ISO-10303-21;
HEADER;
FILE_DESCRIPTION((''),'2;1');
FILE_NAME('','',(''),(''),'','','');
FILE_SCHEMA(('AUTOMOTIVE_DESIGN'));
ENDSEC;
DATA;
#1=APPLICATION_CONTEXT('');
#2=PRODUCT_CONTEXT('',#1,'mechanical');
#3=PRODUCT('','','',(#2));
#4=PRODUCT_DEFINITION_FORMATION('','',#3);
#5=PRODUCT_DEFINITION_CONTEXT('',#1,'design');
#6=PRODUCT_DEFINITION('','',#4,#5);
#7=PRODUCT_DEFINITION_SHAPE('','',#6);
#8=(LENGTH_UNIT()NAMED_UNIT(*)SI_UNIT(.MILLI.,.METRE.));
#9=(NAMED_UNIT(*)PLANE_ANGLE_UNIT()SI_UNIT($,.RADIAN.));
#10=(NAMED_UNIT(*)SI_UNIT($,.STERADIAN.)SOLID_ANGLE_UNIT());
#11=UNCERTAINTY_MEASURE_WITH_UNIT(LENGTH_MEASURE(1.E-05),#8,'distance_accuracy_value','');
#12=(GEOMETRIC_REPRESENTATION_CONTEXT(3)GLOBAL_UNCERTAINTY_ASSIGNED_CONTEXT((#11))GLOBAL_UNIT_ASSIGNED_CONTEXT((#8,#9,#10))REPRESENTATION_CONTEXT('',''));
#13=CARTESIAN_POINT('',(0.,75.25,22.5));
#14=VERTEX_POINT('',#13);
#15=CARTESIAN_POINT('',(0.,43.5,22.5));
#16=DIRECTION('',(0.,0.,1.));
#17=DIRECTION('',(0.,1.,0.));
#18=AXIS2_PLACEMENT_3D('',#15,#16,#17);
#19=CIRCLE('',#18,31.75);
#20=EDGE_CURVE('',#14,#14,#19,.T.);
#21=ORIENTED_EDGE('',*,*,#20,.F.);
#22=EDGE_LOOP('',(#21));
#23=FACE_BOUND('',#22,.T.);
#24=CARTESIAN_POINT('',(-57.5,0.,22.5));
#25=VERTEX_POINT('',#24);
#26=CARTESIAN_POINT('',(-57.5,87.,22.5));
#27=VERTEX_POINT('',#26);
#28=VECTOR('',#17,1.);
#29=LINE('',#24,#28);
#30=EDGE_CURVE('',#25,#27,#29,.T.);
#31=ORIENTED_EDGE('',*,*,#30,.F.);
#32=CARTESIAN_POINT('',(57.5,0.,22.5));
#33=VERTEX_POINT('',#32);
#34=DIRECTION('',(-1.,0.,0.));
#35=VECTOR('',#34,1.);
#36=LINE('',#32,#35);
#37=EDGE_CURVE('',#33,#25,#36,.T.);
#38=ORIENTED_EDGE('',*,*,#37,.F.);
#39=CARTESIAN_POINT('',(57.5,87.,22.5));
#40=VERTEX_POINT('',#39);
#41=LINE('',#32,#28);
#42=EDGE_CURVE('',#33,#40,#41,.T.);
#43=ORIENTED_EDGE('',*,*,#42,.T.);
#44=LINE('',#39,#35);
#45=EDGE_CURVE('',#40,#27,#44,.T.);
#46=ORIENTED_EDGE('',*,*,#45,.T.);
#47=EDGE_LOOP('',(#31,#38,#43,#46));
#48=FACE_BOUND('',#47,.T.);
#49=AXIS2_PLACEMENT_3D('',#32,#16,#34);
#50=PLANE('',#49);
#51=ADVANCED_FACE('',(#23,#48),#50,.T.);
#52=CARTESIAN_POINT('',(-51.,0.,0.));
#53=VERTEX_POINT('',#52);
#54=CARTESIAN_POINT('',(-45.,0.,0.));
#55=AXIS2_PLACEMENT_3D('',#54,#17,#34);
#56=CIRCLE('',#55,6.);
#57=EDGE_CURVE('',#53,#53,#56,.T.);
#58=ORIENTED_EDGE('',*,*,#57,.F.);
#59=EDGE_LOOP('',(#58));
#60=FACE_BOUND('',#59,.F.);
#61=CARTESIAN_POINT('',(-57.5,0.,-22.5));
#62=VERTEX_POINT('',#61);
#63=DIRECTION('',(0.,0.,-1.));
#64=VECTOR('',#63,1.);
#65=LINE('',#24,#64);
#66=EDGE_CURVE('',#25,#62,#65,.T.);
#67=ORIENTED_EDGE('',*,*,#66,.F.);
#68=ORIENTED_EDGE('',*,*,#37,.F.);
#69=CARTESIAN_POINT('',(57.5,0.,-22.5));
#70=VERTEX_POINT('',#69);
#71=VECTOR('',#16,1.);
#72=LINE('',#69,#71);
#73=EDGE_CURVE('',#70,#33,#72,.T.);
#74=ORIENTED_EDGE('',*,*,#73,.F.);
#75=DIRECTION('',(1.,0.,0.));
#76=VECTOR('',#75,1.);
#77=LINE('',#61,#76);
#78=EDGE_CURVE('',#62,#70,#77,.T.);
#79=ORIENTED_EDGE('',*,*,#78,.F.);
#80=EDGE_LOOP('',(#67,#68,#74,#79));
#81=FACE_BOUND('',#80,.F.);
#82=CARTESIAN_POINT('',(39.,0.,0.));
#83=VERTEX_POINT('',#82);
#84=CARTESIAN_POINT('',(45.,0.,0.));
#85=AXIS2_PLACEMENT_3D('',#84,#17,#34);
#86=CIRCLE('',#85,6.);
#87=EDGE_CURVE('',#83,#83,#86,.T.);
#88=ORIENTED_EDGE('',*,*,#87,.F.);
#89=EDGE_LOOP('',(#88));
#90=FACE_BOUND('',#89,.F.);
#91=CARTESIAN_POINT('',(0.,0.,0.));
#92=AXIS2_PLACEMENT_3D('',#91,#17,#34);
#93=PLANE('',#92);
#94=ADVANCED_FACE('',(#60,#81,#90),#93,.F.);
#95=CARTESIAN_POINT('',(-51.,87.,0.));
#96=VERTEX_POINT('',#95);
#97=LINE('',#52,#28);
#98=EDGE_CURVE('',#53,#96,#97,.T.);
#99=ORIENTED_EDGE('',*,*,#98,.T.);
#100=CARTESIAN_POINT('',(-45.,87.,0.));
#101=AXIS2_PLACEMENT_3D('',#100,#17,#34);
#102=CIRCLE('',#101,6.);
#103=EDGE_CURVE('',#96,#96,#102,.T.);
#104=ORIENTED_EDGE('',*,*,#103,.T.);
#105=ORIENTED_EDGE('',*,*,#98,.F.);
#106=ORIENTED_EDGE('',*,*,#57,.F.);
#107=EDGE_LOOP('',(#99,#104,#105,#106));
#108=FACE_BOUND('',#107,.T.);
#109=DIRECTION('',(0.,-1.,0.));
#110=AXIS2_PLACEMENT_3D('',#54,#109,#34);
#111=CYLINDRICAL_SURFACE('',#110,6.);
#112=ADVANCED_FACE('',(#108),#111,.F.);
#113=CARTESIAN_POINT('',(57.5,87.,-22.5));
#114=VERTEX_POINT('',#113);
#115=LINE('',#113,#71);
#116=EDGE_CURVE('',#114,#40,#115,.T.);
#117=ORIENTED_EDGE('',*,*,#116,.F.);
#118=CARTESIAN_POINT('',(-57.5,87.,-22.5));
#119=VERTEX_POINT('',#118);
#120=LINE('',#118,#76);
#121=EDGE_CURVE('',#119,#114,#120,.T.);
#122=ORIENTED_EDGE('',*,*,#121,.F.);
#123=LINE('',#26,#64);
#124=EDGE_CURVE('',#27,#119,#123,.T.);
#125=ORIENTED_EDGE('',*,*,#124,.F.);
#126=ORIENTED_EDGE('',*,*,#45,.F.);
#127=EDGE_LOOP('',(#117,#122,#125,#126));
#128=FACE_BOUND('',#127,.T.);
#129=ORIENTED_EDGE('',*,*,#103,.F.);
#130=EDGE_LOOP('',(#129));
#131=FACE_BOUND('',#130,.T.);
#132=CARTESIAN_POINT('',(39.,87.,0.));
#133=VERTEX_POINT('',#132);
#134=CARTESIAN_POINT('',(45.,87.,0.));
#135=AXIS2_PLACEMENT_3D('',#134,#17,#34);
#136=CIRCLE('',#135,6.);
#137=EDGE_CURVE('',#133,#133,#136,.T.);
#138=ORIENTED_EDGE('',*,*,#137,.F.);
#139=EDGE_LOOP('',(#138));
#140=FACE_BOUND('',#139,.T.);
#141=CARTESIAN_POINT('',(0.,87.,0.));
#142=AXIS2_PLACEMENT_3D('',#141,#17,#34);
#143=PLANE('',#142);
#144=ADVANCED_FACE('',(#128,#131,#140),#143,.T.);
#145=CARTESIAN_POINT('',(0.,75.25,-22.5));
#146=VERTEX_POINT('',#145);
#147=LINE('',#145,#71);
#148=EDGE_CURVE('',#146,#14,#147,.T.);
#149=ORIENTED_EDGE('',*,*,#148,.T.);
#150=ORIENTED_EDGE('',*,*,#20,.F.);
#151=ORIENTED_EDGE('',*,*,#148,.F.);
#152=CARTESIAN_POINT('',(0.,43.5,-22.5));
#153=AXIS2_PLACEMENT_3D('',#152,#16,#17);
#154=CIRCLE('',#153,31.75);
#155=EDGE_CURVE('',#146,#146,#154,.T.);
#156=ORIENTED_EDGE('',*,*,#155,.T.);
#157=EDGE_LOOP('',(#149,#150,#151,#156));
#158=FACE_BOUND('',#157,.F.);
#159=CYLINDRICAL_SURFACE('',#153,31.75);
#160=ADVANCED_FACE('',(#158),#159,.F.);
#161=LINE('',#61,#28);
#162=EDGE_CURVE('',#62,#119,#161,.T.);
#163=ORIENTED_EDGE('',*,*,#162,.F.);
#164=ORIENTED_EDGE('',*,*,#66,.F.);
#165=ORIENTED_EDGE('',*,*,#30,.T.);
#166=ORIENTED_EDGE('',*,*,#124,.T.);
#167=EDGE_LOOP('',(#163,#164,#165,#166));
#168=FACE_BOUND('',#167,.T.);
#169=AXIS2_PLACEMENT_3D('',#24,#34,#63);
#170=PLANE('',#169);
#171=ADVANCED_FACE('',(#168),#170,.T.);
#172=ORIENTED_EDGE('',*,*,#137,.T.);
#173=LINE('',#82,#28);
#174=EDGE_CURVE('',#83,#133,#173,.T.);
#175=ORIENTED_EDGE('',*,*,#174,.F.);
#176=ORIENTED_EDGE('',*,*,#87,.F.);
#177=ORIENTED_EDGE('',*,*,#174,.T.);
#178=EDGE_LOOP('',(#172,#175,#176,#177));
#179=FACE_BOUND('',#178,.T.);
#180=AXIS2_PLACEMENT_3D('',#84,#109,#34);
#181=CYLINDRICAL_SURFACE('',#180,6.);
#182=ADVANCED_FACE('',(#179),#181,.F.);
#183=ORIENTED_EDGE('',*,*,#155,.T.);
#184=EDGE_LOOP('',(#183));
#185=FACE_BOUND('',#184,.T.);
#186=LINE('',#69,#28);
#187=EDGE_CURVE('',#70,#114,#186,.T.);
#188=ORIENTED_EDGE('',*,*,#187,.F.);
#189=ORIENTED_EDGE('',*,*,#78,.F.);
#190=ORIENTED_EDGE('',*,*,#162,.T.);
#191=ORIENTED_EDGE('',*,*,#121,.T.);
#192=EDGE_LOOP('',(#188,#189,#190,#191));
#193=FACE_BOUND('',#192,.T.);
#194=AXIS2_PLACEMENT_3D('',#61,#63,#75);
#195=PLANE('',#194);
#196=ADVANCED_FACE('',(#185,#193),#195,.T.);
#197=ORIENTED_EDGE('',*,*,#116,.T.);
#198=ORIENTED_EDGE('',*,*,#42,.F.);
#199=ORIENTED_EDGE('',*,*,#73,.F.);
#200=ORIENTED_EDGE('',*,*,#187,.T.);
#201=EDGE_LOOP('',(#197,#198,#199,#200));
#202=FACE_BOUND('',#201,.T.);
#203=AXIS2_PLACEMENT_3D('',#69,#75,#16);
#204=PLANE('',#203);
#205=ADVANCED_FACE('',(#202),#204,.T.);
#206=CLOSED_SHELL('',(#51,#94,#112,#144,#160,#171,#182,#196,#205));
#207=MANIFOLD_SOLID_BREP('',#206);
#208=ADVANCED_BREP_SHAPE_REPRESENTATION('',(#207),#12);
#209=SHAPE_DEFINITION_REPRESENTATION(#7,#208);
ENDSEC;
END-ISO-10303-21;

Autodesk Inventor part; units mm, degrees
ref_plane "YZ Plane" through (0, 0, 0) normal (1, 0, 0) x (0, 1, 0)
ref_plane "XZ Plane" through (0, 0, 0) normal (0, 1, 0) x (-1, 0, 0)
ref_plane "XY Plane" through (0, 0, 0) normal (0, 0, 1) x (1, 0, 0)
sketch "Sketch20" plane through (0, 0, 0) normal (0, 1, 0) x (-1, 0, 0)
  line L0 (57.5, -22.5) -> (-57.5, -22.5)
  line L1 (-57.5, -22.5) -> (-57.5, 22.5)
  line L2 (-57.5, 22.5) -> (57.5, 22.5)
  line L3 (57.5, 22.5) -> (57.5, -22.5)
  circle A0 centre (45, 0) radius 6
  circle A1 centre (-45, 0) radius 6
  point P0 (0, 0)
  dimension "d92" = 115
  dimension "d93" = 45
  dimension "d94" = 57.5
  dimension "d95" = 22.5
  dimension "d97" = 45
  dimension "d98" = 90
  dimension "d99" = 12
  dimension "d100" = 12
extrude "Extrusion17" add sketch "Sketch20" along normal blind 87
sketch "Sketch21" plane through (57.5, 0, -22.5) normal (0, 0, -1) x (-1, 0, 0)
  line L0 (115, 0) -> (115, 87) projected
  line L1 (0, 87) -> (115, 87) projected
  line L2 (0, 0) -> (0, 87) projected
  line L3 (57.5, 0) -> (57.5, 87) construction
  line L4 (115, 43.5) -> (0, 43.5) construction
  circle A0 centre (57.5, 43.5) radius 31.75
  dimension "d103" = 63.5
hole "Hole1" at (0, 43.5, -22.5) direction (0, 0, 1) diameter 63.5 end through all
equation "\"d94\" = 0.5 * d92"
equation "\"d95\" = 0.5 * d93"
equation "\"d97\" = 0.5 * d98"
equation "\"d100\" = d99"
properties part number "2.5 CIM mount" material "Polypropylene"
